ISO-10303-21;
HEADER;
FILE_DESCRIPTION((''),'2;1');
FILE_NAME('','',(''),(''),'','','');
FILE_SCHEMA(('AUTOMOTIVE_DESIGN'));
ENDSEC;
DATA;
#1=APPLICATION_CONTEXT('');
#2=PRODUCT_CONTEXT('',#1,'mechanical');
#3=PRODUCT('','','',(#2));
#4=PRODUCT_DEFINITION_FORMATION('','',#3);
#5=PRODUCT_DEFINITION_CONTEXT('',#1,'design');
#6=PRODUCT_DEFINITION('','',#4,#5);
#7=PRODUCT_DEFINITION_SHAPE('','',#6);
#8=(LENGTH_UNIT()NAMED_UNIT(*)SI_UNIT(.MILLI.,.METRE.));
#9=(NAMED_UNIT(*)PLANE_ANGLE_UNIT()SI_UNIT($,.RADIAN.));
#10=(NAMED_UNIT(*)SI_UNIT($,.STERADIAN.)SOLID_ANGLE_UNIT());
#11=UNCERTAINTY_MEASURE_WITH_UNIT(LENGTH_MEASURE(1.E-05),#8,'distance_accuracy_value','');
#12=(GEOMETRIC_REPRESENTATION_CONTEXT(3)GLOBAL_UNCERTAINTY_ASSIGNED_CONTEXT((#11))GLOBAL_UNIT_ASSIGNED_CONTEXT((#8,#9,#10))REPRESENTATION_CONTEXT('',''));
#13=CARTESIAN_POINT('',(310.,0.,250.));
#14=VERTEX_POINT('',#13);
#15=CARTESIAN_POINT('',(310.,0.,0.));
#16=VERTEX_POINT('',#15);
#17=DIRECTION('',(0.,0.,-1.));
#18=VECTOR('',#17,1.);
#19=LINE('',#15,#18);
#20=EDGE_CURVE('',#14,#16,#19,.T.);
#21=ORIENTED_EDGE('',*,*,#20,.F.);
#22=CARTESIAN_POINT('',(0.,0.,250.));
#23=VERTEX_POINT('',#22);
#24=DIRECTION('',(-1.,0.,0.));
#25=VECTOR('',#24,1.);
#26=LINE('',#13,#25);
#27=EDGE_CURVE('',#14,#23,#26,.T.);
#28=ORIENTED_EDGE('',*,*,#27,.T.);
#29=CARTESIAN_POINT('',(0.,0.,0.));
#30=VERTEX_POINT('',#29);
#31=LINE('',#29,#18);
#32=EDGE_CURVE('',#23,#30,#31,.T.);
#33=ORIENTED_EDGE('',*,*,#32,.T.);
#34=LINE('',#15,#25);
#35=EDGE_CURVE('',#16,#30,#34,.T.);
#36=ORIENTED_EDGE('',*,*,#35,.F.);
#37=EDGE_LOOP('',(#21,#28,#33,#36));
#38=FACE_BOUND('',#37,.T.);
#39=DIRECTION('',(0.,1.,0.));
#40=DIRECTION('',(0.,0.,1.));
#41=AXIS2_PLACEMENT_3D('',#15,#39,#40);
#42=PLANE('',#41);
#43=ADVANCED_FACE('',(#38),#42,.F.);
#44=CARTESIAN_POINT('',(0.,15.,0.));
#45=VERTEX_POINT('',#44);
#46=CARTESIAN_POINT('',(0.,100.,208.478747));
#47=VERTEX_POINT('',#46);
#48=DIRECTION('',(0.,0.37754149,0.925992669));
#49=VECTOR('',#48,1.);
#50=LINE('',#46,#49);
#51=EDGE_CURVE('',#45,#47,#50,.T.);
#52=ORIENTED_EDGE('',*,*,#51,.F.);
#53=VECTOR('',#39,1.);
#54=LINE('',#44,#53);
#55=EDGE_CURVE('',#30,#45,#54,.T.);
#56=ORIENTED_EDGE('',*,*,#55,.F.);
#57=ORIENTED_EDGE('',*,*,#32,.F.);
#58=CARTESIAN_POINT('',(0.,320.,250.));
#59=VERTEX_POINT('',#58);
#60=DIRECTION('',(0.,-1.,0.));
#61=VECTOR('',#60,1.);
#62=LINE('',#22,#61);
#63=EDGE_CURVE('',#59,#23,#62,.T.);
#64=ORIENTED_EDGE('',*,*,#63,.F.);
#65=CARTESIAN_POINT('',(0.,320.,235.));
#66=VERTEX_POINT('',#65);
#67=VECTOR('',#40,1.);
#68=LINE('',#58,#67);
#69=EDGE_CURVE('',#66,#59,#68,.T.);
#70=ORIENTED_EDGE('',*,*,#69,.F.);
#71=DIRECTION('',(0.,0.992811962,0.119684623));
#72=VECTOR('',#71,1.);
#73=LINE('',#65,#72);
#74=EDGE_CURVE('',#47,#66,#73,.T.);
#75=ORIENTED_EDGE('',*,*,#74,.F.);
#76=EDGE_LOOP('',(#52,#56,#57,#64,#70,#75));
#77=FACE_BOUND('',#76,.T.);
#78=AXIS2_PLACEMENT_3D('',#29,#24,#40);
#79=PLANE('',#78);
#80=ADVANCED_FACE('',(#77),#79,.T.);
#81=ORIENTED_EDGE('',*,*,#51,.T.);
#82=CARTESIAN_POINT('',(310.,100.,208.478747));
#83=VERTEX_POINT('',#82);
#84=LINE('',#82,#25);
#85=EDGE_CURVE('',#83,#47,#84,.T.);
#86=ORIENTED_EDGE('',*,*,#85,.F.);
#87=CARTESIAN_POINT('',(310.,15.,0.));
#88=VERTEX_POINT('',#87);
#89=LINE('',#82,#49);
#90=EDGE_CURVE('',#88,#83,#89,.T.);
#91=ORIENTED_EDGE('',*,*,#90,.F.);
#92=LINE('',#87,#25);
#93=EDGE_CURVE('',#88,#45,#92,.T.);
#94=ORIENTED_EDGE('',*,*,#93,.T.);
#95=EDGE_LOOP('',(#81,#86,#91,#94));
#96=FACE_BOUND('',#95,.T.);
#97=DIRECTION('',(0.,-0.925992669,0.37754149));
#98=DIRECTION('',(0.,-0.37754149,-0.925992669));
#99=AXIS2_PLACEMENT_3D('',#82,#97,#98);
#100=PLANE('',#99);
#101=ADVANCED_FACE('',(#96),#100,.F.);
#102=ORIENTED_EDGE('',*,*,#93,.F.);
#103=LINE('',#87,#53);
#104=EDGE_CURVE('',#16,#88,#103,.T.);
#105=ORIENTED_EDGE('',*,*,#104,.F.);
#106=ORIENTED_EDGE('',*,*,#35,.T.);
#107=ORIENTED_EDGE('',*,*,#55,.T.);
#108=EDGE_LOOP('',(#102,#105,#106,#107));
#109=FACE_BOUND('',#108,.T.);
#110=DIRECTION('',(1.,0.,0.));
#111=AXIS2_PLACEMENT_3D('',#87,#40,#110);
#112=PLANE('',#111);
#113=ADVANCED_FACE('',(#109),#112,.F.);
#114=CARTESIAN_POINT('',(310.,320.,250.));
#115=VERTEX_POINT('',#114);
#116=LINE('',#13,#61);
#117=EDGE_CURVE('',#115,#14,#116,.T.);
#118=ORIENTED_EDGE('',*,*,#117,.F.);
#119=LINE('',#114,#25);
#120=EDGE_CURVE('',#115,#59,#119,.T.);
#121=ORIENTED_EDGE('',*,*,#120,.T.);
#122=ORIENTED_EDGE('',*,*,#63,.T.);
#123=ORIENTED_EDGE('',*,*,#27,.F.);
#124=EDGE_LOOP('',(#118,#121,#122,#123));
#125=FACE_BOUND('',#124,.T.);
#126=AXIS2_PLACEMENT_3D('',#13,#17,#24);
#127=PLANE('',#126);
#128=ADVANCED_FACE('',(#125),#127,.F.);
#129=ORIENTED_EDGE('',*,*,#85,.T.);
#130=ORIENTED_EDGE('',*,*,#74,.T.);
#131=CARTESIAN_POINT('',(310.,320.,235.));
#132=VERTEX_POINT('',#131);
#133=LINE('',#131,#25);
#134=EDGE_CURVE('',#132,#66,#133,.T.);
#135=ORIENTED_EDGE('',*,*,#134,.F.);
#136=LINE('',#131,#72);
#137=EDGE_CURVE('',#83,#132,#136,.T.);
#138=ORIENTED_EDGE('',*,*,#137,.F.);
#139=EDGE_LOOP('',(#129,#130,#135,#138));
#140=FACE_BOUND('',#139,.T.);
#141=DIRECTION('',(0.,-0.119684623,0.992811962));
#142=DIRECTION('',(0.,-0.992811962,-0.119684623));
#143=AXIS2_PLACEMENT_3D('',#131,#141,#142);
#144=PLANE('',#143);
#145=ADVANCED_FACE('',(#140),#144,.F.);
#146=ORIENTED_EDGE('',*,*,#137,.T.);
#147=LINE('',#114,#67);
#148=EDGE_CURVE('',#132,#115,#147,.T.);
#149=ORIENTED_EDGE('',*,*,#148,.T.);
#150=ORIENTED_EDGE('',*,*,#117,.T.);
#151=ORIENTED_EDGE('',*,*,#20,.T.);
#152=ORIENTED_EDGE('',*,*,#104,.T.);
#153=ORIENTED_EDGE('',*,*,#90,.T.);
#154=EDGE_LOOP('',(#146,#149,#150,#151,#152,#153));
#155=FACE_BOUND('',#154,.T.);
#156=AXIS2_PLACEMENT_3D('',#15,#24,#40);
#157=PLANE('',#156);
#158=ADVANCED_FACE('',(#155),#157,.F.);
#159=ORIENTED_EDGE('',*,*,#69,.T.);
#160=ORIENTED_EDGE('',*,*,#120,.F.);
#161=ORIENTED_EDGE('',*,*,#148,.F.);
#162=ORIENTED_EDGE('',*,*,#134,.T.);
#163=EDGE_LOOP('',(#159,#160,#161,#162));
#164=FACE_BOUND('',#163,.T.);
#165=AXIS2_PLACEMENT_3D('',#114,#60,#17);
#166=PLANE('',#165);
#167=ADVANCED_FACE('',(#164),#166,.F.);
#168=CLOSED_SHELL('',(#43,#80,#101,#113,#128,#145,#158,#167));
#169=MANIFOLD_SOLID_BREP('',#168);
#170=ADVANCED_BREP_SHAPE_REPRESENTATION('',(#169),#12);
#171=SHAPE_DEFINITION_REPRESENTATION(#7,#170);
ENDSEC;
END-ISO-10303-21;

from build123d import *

# Parameters (mm, degrees)
BOSS_EXTRUDE1_DEPTH = 310


with BuildPart() as part:
    # Sketch1 → Boss-Extrude1 (new body)
    with BuildSketch(Plane(origin=(0, 0, 0), x_dir=(0, 0, -1), z_dir=(1, 0, 0))):
        Polygon((0, 0), (-250, 0), (-250, 320), (-235, 320), (-208.478747204, 100), (0, 15), align=None)
    extrude(amount=BOSS_EXTRUDE1_DEPTH)


solid = part.part
